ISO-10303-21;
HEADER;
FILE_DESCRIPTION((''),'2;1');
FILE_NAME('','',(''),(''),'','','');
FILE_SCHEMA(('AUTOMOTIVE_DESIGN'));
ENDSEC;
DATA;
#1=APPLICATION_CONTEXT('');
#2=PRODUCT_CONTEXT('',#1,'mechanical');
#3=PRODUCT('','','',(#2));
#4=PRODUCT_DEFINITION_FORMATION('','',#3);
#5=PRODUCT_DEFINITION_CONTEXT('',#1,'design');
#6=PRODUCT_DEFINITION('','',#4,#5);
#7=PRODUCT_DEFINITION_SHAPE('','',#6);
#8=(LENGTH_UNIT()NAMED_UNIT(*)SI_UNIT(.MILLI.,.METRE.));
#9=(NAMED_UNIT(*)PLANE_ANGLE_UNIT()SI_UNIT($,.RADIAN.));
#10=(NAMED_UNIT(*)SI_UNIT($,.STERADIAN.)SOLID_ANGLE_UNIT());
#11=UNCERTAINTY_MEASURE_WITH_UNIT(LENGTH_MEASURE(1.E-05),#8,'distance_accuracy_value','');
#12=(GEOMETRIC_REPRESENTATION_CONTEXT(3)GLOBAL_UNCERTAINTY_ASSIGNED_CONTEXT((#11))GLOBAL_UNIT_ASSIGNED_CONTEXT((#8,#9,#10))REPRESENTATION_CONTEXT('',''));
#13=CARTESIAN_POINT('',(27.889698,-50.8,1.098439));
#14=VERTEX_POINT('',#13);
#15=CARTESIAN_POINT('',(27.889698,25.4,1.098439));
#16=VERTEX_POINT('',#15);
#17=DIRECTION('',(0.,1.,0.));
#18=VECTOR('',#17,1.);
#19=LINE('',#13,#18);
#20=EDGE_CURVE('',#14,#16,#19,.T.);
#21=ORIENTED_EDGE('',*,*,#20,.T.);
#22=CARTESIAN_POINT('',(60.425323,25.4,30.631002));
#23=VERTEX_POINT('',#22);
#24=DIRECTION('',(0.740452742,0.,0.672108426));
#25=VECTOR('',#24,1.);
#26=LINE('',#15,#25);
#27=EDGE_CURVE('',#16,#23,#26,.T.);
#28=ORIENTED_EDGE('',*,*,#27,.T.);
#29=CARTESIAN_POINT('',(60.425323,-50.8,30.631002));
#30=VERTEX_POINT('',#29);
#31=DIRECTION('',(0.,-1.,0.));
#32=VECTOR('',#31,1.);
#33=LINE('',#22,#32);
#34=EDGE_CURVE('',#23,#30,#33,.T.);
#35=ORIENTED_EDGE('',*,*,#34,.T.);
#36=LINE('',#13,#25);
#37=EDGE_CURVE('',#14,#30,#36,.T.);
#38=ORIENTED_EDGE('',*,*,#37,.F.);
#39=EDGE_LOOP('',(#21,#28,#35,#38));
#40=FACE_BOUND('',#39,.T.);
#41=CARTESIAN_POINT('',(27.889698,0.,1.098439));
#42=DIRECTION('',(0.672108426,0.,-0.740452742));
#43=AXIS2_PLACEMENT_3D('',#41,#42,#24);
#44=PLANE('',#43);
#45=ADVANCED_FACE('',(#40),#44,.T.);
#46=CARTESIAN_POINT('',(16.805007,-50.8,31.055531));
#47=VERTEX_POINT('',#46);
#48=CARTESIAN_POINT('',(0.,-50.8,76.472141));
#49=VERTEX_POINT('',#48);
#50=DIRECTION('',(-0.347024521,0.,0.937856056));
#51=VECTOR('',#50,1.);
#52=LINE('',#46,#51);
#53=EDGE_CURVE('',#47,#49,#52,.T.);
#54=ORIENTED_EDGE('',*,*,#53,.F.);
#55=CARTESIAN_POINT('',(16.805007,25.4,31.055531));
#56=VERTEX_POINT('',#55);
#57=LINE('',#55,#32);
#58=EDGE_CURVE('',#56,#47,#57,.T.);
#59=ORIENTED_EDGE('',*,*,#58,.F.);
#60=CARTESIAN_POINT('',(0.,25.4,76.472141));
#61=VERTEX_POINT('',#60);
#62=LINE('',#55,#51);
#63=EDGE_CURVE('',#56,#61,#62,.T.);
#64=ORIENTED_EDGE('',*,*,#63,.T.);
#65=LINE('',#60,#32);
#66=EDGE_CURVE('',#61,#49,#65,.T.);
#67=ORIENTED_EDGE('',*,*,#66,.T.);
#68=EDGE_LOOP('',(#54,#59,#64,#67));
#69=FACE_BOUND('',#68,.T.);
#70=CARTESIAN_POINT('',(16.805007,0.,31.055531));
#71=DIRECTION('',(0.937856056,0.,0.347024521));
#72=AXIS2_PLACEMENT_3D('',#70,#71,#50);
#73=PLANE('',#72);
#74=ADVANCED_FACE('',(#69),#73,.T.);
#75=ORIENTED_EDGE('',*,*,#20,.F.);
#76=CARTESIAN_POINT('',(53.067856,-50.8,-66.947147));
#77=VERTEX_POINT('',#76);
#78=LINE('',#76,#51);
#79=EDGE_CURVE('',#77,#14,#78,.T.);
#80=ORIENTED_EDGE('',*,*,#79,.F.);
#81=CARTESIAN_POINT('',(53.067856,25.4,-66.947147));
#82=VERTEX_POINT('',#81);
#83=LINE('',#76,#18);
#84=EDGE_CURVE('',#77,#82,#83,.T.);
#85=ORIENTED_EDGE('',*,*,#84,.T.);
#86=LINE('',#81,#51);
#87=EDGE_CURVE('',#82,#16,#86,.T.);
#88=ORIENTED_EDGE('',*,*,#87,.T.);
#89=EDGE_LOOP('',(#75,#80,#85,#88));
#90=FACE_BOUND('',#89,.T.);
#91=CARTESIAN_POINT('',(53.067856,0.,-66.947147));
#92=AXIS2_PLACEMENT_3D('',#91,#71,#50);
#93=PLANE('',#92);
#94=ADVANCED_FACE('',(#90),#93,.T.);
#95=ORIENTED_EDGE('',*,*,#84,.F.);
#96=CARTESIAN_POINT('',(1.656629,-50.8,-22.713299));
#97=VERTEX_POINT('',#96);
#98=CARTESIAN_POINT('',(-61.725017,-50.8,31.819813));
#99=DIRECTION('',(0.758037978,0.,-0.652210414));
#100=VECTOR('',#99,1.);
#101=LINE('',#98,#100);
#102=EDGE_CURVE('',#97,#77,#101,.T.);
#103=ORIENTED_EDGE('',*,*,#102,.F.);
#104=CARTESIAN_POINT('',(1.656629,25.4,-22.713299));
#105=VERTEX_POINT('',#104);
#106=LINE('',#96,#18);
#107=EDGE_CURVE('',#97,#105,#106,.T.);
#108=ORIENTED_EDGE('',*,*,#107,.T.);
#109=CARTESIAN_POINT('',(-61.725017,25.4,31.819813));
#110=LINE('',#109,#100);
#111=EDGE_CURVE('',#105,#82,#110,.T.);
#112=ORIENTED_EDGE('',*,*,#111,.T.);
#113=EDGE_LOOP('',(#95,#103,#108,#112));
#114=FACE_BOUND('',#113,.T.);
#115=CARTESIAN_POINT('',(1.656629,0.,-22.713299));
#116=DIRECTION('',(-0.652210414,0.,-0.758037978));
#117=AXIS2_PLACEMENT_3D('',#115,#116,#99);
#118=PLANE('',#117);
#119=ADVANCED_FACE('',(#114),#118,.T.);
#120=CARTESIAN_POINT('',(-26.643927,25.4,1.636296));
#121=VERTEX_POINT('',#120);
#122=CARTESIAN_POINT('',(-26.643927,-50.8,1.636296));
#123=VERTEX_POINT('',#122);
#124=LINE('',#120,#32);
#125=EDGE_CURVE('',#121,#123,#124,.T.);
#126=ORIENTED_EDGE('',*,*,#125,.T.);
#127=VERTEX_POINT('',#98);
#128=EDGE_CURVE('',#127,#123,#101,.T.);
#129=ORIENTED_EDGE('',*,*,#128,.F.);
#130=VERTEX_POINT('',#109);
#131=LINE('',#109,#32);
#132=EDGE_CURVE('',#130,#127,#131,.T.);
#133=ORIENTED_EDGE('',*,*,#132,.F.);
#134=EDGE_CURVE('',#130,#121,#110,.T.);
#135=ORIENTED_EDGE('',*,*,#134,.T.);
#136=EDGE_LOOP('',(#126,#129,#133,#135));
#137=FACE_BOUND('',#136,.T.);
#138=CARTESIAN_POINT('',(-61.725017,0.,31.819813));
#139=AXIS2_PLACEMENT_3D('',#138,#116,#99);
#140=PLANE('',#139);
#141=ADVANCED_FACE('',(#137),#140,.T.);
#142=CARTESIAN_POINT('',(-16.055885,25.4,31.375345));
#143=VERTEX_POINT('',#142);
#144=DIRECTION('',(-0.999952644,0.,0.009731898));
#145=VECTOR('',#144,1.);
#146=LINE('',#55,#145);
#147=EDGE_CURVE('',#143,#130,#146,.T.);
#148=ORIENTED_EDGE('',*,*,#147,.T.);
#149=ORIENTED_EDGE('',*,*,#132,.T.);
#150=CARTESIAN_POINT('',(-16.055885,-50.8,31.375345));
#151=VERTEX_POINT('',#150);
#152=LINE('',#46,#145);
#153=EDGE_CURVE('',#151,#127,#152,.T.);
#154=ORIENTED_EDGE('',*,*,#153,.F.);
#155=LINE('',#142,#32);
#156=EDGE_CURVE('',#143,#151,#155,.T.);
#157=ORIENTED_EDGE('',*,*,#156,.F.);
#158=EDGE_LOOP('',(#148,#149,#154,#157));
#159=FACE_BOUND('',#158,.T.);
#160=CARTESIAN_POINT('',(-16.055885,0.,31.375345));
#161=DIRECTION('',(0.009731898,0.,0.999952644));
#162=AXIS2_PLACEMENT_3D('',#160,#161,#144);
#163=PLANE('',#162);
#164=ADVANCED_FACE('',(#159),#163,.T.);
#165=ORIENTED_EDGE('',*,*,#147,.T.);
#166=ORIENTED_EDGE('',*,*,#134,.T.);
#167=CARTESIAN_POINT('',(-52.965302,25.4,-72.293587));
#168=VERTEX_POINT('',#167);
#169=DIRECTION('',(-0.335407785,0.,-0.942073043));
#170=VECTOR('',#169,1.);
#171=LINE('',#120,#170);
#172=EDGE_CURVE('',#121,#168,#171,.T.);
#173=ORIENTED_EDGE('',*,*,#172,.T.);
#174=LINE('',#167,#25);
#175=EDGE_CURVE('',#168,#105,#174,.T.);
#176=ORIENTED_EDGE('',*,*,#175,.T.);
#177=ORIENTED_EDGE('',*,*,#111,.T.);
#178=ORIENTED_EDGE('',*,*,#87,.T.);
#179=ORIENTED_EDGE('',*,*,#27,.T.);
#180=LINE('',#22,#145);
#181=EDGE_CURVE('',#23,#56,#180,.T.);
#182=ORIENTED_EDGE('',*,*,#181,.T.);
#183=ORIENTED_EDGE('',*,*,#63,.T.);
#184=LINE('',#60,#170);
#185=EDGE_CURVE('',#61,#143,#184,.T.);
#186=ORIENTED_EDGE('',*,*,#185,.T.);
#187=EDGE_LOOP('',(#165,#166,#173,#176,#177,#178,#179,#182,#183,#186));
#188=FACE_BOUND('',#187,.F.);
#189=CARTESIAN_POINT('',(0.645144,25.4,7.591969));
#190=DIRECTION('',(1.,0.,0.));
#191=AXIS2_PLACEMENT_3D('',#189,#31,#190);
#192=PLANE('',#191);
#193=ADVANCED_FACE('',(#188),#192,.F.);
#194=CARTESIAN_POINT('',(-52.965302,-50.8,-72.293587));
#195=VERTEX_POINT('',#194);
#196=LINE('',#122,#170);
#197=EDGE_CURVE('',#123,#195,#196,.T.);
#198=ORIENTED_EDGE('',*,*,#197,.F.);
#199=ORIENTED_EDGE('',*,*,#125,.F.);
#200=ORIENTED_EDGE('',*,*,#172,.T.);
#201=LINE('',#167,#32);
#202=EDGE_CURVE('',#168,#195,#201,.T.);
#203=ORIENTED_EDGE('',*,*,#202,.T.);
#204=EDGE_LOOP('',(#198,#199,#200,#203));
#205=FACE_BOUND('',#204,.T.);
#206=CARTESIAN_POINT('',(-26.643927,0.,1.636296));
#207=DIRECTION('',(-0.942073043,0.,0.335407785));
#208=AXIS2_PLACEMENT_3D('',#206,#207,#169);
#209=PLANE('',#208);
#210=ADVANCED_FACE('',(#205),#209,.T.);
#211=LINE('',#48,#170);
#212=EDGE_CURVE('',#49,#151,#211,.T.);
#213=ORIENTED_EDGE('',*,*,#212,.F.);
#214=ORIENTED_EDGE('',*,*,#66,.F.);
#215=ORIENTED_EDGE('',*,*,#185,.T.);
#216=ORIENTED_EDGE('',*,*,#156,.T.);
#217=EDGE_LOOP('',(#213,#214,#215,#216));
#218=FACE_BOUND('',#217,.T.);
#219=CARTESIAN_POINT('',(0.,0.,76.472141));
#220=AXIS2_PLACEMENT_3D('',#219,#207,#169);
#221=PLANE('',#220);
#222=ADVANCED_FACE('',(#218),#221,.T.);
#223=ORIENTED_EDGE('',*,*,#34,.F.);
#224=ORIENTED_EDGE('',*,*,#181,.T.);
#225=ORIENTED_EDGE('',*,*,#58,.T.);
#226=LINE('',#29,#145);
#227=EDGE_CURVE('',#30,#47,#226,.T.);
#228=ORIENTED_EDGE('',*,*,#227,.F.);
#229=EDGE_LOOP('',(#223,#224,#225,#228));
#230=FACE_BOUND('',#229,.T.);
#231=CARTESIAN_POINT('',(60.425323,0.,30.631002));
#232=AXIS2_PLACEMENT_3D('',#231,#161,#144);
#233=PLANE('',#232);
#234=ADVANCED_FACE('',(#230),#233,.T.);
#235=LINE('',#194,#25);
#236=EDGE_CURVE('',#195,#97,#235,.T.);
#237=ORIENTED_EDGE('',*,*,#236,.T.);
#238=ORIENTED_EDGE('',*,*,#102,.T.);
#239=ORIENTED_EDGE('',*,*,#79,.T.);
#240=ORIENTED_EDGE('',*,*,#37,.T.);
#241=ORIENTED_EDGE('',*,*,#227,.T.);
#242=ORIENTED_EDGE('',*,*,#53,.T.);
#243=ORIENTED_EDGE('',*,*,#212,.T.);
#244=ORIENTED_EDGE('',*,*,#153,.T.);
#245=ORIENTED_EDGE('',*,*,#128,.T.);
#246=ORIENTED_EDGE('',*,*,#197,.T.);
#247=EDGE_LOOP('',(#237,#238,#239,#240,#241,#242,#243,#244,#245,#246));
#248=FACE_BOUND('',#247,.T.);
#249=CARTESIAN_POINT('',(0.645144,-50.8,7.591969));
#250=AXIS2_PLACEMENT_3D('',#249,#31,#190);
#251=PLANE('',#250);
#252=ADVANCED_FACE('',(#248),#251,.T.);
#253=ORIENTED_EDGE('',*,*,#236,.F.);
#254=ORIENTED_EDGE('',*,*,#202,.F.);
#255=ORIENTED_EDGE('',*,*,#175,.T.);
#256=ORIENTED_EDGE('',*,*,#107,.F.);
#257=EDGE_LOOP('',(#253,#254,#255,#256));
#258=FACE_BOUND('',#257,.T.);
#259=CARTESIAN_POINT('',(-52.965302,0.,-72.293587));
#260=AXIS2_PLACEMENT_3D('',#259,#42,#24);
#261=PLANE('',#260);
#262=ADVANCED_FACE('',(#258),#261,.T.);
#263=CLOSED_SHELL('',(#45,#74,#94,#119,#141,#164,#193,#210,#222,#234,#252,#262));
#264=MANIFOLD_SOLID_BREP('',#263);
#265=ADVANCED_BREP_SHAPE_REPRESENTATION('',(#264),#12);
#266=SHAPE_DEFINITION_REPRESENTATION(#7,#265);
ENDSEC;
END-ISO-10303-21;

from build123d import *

# Parameters (mm, degrees)
F1_DEPTH = 25.4
F2_DEPTH = 25.4
F3_DEPTH = 25.4


with BuildPart() as f1:
    # F0 (on Front) → F1 (new body)
    with BuildSketch(Plane.XZ):
        Polygon((-26.643926605, 1.6362958008), (1.6566294677, -22.7132987456), (27.8896984995, 1.0984393185), (16.8050068003, 31.0555305972), (-16.0558851046, 31.375344584), align=None)
        Polygon((-61.7250166833, 31.8198129535), (-26.643926605, 1.6362958008), (-16.0558851046, 31.375344584), align=None)
        Polygon((0, 76.4721408486), (-16.0558851046, 31.375344584), (16.8050068003, 31.0555305972), align=None)
        Polygon((16.8050068003, 31.0555305972), (27.8896984995, 1.0984393185), (60.4253225029, 30.6310020387), align=None)
        Polygon((27.8896984995, 1.0984393185), (1.6566294677, -22.7132987456), (53.0678555369, -66.9471472502), align=None)
        Polygon((-26.643926605, 1.6362958008), (-52.9653020203, -72.293587029), (1.6566294677, -22.7132987456), align=None)
    extrude(amount=F1_DEPTH)

    # F2 (add): a face of the model
    f2_faces = [f1.faces().sort_by_distance(p)[0] for p in [
        (-0.3182282883, -25.4, 0.0475680349),
    ]]
    extrude(f2_faces, amount=F2_DEPTH)

    # F3 (add): a face of the model
    f3_faces = [f1.faces().sort_by_distance(p)[0] for p in [
        (-0.3182282883, 0, 0.0475680349),
    ]]
    extrude(f3_faces, amount=F3_DEPTH)


solid = f1.part
